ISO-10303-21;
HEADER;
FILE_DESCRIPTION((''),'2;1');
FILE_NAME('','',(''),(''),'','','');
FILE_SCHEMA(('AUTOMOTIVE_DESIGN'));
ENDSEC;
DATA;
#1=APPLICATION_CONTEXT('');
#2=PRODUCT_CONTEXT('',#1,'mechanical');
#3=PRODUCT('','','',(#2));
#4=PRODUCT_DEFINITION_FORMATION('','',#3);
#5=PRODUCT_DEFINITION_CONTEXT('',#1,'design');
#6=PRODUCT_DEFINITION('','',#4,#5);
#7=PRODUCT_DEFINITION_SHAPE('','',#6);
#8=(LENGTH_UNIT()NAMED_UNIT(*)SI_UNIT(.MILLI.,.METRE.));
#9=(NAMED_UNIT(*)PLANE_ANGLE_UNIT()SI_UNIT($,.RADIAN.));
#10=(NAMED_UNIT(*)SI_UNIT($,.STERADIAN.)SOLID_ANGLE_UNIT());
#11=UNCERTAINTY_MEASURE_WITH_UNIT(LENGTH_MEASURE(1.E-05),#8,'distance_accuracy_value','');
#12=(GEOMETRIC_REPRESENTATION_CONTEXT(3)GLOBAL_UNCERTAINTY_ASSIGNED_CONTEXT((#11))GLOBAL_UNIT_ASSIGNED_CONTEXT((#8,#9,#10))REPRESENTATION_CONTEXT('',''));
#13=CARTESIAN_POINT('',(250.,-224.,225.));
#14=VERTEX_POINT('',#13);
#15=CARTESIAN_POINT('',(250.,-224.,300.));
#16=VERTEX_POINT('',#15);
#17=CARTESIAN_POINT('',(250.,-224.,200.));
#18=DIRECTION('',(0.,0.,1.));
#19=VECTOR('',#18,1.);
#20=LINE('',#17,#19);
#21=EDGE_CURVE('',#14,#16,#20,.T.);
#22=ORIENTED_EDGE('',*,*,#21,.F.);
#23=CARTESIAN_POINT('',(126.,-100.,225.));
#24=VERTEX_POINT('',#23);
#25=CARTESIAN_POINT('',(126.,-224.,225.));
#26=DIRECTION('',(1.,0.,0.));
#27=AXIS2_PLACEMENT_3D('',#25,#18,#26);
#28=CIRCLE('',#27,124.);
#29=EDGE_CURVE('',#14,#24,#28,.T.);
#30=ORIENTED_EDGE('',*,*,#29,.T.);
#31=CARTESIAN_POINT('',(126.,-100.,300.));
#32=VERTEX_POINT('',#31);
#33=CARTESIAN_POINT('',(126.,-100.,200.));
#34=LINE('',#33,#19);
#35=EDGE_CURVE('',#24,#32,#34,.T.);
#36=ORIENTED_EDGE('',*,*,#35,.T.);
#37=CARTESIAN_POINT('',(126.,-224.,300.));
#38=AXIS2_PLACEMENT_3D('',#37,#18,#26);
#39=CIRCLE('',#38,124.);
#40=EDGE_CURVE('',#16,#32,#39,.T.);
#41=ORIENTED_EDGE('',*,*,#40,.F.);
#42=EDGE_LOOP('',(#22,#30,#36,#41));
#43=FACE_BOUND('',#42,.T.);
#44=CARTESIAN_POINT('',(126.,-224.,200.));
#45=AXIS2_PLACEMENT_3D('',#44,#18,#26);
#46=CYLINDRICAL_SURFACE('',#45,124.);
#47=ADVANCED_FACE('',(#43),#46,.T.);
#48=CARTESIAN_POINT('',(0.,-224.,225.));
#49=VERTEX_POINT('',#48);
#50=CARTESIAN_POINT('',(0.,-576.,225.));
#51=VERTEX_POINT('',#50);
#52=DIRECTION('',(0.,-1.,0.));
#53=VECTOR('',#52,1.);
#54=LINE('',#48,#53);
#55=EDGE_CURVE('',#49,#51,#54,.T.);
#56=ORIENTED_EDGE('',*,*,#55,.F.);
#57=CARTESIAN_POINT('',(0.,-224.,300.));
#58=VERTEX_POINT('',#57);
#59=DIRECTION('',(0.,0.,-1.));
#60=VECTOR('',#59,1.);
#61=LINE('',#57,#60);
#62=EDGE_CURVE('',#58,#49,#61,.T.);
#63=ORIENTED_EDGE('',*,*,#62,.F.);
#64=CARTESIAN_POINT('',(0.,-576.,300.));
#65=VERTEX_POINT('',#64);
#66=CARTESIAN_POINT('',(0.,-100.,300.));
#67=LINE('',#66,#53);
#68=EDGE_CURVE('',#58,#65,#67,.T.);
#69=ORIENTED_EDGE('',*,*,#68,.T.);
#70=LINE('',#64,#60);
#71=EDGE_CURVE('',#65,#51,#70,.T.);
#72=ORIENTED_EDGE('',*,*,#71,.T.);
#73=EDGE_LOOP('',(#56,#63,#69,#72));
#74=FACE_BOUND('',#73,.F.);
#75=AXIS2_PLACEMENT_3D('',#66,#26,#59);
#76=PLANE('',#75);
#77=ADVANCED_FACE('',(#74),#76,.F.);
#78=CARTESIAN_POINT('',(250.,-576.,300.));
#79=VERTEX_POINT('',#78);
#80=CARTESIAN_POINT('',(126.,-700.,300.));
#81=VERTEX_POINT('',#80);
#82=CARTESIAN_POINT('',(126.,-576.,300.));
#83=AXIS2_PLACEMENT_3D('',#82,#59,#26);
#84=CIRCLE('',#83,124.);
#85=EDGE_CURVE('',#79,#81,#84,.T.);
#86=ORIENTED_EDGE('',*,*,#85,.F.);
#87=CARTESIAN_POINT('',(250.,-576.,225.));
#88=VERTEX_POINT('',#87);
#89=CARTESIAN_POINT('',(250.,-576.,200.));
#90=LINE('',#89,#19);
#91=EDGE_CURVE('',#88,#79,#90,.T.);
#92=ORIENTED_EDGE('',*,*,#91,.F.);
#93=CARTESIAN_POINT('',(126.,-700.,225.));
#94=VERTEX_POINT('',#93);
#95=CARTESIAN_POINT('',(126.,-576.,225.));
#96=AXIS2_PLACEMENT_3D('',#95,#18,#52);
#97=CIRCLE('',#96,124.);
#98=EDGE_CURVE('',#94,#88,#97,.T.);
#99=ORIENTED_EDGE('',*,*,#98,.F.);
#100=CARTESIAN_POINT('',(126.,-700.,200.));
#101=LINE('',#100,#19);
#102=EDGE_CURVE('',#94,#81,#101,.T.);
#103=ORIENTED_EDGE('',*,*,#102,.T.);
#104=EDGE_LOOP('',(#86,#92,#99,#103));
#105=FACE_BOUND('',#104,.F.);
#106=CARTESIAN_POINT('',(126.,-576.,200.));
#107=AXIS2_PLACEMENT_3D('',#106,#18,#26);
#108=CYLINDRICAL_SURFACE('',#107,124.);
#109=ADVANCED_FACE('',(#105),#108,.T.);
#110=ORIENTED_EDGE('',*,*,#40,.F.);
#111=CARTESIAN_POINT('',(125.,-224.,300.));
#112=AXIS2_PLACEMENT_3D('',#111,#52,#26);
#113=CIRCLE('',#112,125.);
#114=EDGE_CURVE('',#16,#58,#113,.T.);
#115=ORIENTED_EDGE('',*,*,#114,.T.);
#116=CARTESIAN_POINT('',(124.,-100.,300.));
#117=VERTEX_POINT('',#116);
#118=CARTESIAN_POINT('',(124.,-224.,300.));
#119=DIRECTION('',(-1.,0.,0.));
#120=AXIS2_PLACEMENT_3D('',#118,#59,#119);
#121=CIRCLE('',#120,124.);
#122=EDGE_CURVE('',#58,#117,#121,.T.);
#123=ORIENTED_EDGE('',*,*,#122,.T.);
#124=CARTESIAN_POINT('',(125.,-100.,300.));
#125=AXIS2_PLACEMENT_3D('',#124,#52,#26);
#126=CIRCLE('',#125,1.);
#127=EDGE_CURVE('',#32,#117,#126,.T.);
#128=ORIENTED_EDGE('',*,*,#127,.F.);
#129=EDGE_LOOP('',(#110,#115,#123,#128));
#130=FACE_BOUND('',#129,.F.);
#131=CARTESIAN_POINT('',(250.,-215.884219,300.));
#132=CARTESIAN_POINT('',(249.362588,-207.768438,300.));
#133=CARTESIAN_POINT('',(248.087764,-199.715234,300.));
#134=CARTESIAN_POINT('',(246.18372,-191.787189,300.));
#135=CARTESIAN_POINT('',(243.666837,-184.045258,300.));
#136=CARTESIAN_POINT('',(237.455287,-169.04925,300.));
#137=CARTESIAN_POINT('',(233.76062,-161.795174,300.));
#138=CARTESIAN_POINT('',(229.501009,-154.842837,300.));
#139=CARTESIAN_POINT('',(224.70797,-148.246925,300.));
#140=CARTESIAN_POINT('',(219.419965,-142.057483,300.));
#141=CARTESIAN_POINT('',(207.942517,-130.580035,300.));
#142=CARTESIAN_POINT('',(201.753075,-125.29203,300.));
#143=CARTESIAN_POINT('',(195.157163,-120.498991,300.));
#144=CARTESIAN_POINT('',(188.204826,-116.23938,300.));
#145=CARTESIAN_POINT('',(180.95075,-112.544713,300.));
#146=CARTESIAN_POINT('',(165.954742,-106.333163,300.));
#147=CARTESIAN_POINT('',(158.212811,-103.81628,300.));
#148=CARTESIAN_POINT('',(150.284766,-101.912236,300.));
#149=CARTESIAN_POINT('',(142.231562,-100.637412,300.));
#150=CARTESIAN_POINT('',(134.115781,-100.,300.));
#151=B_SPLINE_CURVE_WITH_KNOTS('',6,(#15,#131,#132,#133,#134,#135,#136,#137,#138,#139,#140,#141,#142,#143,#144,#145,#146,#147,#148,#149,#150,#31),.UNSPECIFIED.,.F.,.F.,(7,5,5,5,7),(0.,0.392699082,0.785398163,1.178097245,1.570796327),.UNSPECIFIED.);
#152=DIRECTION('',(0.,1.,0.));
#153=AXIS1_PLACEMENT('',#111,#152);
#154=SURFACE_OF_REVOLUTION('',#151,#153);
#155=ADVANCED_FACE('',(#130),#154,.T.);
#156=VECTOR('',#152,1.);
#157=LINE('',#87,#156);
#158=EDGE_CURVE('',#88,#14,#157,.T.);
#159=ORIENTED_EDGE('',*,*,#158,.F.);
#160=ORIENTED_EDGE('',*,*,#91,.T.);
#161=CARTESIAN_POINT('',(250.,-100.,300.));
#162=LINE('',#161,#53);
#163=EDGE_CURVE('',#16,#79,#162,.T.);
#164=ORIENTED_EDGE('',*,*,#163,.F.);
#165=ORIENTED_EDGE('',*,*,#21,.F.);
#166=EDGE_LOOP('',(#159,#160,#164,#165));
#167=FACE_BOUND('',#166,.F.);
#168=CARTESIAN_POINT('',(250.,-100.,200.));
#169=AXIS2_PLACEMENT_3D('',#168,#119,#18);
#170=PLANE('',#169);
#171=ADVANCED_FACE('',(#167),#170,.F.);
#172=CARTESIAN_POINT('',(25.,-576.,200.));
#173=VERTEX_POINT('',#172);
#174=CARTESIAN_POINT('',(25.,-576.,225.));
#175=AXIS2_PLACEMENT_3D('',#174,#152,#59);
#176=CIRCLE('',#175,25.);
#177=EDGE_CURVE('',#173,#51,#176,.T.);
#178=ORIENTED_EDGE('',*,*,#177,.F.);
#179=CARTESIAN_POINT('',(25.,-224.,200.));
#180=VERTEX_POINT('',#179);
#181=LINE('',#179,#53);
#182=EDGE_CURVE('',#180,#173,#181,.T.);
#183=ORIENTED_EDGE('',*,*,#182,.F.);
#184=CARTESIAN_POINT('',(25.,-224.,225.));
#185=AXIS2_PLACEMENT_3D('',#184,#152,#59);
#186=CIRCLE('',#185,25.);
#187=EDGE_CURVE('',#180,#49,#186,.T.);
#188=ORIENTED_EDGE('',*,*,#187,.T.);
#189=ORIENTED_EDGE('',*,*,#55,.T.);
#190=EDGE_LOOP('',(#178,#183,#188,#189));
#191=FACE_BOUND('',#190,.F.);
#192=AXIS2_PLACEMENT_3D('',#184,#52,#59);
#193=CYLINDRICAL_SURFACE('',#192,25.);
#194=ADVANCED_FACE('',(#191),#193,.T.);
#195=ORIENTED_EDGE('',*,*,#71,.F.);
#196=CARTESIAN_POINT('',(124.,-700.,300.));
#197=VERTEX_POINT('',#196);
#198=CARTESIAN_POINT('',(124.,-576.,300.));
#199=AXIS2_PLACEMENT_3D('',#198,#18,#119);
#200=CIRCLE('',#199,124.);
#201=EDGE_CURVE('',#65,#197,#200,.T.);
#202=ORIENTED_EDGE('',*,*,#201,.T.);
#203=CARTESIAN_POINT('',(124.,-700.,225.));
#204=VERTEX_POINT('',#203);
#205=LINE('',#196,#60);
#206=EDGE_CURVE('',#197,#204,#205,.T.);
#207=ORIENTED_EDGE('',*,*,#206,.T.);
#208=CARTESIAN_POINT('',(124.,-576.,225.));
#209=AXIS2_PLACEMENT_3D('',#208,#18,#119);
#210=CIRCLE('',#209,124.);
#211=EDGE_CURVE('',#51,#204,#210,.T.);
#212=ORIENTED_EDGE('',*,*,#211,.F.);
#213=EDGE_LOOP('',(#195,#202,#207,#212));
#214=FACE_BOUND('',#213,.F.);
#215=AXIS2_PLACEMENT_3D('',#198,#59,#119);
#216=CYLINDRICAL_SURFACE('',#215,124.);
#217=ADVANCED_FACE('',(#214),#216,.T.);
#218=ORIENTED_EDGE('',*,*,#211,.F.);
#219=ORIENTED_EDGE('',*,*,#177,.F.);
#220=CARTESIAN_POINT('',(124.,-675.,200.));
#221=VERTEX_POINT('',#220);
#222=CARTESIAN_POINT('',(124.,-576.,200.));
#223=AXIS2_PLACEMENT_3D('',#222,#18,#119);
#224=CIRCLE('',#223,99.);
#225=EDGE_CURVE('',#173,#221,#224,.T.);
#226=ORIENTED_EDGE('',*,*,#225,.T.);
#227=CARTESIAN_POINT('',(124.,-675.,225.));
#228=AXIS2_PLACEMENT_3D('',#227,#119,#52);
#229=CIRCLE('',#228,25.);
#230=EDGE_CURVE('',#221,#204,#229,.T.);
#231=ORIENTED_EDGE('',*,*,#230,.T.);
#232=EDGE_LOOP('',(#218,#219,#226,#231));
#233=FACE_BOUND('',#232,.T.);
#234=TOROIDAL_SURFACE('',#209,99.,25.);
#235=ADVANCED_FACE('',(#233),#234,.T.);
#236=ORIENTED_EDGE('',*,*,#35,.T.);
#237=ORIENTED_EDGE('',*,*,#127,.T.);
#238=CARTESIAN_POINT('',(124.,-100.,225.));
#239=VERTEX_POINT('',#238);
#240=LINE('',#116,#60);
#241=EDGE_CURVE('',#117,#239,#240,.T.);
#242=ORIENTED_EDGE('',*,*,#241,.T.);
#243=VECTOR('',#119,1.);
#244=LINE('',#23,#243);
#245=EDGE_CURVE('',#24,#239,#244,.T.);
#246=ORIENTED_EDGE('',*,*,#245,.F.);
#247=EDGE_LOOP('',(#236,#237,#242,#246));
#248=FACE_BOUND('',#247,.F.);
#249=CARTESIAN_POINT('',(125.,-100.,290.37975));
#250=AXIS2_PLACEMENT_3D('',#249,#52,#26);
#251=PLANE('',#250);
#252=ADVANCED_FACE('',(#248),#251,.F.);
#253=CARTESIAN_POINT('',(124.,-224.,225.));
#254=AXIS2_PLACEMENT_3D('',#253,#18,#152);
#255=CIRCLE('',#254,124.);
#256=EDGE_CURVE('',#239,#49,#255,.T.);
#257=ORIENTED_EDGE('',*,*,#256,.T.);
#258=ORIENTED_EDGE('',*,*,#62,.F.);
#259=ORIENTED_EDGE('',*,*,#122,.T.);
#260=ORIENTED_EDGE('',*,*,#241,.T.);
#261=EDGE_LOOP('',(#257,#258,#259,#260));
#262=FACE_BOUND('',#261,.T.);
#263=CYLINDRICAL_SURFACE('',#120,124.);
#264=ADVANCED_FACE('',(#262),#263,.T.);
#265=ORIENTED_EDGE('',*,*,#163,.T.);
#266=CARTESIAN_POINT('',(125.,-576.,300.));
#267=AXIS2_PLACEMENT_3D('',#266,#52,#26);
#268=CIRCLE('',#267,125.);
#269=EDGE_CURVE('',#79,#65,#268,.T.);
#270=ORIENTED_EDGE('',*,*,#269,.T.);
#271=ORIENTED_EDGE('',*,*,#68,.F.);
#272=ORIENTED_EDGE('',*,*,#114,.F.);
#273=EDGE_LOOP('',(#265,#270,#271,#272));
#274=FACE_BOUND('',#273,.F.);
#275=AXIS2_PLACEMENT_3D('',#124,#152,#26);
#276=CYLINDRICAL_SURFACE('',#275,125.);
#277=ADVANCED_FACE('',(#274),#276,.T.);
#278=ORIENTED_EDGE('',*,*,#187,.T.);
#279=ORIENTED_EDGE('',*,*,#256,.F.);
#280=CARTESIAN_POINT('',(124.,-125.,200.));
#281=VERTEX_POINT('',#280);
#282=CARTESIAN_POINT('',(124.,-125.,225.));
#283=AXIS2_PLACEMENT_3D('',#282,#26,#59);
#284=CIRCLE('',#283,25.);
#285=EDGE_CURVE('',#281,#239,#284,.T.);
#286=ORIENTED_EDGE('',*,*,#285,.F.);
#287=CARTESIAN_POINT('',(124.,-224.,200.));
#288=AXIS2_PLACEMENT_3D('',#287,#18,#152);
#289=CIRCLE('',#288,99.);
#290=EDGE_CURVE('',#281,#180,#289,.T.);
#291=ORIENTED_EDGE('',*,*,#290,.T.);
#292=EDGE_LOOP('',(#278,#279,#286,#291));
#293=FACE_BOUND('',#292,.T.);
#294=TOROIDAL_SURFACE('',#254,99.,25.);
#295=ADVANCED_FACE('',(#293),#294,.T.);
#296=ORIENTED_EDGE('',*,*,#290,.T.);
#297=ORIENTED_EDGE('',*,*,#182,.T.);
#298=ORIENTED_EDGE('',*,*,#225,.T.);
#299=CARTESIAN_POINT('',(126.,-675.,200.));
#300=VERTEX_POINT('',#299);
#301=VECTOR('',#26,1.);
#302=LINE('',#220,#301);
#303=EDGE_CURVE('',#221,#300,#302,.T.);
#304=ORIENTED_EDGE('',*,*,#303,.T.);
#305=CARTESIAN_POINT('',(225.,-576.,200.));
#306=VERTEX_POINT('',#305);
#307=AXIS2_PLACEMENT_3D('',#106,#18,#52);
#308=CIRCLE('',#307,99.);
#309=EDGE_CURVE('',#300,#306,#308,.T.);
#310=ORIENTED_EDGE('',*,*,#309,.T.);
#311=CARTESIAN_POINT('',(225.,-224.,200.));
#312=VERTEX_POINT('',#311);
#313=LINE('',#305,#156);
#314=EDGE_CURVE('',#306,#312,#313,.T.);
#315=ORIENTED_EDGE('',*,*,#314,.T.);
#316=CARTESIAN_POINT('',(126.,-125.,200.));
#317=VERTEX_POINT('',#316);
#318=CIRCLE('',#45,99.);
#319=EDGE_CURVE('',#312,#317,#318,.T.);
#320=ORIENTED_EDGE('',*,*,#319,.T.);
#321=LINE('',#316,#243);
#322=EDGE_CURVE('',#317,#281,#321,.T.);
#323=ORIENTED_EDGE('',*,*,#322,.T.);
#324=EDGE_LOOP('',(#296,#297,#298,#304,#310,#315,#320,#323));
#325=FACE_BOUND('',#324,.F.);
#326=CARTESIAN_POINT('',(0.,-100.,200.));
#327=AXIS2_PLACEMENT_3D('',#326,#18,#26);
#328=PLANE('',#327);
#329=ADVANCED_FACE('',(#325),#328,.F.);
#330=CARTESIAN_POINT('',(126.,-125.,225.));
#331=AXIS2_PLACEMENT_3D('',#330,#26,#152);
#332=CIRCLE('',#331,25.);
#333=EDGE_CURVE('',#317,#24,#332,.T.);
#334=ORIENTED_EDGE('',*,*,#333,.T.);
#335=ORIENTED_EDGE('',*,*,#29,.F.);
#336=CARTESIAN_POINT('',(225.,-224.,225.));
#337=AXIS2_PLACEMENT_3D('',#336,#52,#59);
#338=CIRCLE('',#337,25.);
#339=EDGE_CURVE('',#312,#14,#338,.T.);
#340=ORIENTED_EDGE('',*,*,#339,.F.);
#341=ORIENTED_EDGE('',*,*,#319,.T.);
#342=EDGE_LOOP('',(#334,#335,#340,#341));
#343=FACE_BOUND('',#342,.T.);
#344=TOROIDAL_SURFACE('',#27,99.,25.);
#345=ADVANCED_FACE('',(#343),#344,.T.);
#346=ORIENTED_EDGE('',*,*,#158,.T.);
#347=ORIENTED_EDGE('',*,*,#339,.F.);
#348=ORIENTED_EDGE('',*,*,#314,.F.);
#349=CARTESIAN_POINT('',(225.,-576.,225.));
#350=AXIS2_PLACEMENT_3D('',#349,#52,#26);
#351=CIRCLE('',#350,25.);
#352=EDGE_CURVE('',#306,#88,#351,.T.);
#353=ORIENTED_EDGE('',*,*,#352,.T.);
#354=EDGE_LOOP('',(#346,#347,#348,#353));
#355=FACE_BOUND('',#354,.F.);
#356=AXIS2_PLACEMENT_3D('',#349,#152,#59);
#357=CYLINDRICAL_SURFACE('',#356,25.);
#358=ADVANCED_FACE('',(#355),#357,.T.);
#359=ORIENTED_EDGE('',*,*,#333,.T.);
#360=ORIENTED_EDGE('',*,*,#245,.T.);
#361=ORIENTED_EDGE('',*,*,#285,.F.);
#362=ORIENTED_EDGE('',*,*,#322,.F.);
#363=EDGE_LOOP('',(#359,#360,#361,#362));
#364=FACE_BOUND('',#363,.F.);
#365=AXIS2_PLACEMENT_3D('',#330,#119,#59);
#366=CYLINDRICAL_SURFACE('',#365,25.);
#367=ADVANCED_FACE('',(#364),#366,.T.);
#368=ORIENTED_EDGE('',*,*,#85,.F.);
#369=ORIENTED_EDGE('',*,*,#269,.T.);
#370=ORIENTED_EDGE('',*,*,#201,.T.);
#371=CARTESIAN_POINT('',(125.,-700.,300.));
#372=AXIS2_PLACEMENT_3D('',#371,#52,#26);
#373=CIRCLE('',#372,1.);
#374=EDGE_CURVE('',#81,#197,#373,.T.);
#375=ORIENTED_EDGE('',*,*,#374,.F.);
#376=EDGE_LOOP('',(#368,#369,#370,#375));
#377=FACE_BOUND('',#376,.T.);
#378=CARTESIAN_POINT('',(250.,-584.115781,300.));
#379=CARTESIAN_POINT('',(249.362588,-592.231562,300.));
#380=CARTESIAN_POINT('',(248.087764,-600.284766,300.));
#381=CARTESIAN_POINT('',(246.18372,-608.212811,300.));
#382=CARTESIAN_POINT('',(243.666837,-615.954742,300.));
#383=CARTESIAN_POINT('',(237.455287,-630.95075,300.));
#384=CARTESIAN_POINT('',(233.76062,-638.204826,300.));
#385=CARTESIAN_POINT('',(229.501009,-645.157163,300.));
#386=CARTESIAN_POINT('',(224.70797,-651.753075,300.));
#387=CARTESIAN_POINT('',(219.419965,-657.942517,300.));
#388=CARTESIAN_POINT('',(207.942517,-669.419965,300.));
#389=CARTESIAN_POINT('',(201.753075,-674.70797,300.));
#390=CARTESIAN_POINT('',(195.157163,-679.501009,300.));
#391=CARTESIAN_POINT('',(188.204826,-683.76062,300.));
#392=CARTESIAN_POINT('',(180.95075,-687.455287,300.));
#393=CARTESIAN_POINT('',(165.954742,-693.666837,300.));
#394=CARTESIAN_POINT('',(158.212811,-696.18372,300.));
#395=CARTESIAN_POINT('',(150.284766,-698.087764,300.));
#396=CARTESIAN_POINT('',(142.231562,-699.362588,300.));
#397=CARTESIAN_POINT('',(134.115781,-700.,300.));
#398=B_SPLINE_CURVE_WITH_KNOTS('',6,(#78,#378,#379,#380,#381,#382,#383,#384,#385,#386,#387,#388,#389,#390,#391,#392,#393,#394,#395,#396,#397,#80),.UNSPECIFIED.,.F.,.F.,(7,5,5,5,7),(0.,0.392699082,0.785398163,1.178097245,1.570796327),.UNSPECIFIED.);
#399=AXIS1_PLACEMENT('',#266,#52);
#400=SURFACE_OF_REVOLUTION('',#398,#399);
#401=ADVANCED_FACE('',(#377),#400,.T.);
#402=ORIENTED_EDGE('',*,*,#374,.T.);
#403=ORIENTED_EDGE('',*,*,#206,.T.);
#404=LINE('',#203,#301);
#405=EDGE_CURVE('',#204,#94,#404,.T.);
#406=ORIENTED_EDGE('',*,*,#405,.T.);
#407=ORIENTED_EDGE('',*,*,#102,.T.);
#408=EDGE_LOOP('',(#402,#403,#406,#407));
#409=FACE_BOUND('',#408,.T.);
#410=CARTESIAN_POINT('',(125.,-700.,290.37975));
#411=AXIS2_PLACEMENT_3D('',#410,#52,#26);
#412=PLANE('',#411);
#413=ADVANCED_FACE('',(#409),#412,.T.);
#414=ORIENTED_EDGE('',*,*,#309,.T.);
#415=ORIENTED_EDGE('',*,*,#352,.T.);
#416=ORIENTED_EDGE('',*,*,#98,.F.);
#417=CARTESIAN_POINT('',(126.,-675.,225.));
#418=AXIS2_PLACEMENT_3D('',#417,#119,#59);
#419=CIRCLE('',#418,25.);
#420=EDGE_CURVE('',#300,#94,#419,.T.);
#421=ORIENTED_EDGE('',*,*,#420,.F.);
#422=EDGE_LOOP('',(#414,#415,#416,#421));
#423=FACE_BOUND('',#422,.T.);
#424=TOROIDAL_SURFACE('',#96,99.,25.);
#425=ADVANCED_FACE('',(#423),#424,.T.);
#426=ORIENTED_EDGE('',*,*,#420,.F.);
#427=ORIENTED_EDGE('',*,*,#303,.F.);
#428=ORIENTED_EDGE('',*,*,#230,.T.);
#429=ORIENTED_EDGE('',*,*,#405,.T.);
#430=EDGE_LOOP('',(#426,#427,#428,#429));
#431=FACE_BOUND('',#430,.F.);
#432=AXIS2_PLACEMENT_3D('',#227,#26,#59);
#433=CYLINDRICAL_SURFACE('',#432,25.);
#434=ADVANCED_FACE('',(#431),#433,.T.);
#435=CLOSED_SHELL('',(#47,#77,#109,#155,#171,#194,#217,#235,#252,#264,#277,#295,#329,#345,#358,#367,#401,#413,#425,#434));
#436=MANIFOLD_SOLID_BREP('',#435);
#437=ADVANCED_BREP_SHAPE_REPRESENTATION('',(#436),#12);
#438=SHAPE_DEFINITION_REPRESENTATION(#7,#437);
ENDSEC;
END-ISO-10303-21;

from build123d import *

# Parameters (mm, degrees)
PAD002_DEPTH = 600
FILLET002_R  = 124
FILLET003_R  = 25


with BuildPart() as part:
    # Sketch002 → Pad002 (new body)
    with BuildSketch(Plane.XZ):
        with BuildLine():
            Line((0, 0), (250, 0))
            Line((250, 0), (250, 100))
            ThreePointArc((250, 100), (125, 225), (0, 100))
            Line((0, 100), (0, 0))
        make_face()
    extrude(amount=PAD002_DEPTH)

    # Fillet002
    fillet002_edges = [part.edges().sort_by_distance(p)[0] for p in [
        (125, 0, 225),
        (125, -600, 225),
    ]]
    fillet(fillet002_edges, radius=FILLET002_R)

    # Fillet003
    fillet003_edges = [part.edges().sort_by_distance(p)[0] for p in [
        (0, -300, 0),
        (36.318759, -36.318759, 0),
        (36.318759, -563.681241, 0),
        (125, 0, 0),
        (125, -600, 0),
        (213.681241, -36.318759, 0),
        (213.681241, -563.681241, 0),
        (250, -300, 0),
        (0, -300, 100),
        (0, -124, 50),
        (0, -476, 50),
        (36.318759, -36.318759, 100),
        (124, 0, 50),
        (36.318759, -563.681241, 100),
        (124, -600, 50),
        (126, 0, 50),
        (125, 0, 101),
        (126, -600, 50),
        (125, -600, 101),
        (250, -124, 50),
        (213.681241, -36.318759, 100),
        (250, -476, 50),
        (213.681241, -563.681241, 100),
        (250, -300, 100),
        (125, -124, 225),
        (125, -476, 225),
    ]]
    fillet(fillet003_edges, radius=FILLET003_R)


with BuildPart() as part_1:
    # Body002 placement: moved
    add(part.part.moved(Location((0, -100, 200))))


solid = part_1.part
